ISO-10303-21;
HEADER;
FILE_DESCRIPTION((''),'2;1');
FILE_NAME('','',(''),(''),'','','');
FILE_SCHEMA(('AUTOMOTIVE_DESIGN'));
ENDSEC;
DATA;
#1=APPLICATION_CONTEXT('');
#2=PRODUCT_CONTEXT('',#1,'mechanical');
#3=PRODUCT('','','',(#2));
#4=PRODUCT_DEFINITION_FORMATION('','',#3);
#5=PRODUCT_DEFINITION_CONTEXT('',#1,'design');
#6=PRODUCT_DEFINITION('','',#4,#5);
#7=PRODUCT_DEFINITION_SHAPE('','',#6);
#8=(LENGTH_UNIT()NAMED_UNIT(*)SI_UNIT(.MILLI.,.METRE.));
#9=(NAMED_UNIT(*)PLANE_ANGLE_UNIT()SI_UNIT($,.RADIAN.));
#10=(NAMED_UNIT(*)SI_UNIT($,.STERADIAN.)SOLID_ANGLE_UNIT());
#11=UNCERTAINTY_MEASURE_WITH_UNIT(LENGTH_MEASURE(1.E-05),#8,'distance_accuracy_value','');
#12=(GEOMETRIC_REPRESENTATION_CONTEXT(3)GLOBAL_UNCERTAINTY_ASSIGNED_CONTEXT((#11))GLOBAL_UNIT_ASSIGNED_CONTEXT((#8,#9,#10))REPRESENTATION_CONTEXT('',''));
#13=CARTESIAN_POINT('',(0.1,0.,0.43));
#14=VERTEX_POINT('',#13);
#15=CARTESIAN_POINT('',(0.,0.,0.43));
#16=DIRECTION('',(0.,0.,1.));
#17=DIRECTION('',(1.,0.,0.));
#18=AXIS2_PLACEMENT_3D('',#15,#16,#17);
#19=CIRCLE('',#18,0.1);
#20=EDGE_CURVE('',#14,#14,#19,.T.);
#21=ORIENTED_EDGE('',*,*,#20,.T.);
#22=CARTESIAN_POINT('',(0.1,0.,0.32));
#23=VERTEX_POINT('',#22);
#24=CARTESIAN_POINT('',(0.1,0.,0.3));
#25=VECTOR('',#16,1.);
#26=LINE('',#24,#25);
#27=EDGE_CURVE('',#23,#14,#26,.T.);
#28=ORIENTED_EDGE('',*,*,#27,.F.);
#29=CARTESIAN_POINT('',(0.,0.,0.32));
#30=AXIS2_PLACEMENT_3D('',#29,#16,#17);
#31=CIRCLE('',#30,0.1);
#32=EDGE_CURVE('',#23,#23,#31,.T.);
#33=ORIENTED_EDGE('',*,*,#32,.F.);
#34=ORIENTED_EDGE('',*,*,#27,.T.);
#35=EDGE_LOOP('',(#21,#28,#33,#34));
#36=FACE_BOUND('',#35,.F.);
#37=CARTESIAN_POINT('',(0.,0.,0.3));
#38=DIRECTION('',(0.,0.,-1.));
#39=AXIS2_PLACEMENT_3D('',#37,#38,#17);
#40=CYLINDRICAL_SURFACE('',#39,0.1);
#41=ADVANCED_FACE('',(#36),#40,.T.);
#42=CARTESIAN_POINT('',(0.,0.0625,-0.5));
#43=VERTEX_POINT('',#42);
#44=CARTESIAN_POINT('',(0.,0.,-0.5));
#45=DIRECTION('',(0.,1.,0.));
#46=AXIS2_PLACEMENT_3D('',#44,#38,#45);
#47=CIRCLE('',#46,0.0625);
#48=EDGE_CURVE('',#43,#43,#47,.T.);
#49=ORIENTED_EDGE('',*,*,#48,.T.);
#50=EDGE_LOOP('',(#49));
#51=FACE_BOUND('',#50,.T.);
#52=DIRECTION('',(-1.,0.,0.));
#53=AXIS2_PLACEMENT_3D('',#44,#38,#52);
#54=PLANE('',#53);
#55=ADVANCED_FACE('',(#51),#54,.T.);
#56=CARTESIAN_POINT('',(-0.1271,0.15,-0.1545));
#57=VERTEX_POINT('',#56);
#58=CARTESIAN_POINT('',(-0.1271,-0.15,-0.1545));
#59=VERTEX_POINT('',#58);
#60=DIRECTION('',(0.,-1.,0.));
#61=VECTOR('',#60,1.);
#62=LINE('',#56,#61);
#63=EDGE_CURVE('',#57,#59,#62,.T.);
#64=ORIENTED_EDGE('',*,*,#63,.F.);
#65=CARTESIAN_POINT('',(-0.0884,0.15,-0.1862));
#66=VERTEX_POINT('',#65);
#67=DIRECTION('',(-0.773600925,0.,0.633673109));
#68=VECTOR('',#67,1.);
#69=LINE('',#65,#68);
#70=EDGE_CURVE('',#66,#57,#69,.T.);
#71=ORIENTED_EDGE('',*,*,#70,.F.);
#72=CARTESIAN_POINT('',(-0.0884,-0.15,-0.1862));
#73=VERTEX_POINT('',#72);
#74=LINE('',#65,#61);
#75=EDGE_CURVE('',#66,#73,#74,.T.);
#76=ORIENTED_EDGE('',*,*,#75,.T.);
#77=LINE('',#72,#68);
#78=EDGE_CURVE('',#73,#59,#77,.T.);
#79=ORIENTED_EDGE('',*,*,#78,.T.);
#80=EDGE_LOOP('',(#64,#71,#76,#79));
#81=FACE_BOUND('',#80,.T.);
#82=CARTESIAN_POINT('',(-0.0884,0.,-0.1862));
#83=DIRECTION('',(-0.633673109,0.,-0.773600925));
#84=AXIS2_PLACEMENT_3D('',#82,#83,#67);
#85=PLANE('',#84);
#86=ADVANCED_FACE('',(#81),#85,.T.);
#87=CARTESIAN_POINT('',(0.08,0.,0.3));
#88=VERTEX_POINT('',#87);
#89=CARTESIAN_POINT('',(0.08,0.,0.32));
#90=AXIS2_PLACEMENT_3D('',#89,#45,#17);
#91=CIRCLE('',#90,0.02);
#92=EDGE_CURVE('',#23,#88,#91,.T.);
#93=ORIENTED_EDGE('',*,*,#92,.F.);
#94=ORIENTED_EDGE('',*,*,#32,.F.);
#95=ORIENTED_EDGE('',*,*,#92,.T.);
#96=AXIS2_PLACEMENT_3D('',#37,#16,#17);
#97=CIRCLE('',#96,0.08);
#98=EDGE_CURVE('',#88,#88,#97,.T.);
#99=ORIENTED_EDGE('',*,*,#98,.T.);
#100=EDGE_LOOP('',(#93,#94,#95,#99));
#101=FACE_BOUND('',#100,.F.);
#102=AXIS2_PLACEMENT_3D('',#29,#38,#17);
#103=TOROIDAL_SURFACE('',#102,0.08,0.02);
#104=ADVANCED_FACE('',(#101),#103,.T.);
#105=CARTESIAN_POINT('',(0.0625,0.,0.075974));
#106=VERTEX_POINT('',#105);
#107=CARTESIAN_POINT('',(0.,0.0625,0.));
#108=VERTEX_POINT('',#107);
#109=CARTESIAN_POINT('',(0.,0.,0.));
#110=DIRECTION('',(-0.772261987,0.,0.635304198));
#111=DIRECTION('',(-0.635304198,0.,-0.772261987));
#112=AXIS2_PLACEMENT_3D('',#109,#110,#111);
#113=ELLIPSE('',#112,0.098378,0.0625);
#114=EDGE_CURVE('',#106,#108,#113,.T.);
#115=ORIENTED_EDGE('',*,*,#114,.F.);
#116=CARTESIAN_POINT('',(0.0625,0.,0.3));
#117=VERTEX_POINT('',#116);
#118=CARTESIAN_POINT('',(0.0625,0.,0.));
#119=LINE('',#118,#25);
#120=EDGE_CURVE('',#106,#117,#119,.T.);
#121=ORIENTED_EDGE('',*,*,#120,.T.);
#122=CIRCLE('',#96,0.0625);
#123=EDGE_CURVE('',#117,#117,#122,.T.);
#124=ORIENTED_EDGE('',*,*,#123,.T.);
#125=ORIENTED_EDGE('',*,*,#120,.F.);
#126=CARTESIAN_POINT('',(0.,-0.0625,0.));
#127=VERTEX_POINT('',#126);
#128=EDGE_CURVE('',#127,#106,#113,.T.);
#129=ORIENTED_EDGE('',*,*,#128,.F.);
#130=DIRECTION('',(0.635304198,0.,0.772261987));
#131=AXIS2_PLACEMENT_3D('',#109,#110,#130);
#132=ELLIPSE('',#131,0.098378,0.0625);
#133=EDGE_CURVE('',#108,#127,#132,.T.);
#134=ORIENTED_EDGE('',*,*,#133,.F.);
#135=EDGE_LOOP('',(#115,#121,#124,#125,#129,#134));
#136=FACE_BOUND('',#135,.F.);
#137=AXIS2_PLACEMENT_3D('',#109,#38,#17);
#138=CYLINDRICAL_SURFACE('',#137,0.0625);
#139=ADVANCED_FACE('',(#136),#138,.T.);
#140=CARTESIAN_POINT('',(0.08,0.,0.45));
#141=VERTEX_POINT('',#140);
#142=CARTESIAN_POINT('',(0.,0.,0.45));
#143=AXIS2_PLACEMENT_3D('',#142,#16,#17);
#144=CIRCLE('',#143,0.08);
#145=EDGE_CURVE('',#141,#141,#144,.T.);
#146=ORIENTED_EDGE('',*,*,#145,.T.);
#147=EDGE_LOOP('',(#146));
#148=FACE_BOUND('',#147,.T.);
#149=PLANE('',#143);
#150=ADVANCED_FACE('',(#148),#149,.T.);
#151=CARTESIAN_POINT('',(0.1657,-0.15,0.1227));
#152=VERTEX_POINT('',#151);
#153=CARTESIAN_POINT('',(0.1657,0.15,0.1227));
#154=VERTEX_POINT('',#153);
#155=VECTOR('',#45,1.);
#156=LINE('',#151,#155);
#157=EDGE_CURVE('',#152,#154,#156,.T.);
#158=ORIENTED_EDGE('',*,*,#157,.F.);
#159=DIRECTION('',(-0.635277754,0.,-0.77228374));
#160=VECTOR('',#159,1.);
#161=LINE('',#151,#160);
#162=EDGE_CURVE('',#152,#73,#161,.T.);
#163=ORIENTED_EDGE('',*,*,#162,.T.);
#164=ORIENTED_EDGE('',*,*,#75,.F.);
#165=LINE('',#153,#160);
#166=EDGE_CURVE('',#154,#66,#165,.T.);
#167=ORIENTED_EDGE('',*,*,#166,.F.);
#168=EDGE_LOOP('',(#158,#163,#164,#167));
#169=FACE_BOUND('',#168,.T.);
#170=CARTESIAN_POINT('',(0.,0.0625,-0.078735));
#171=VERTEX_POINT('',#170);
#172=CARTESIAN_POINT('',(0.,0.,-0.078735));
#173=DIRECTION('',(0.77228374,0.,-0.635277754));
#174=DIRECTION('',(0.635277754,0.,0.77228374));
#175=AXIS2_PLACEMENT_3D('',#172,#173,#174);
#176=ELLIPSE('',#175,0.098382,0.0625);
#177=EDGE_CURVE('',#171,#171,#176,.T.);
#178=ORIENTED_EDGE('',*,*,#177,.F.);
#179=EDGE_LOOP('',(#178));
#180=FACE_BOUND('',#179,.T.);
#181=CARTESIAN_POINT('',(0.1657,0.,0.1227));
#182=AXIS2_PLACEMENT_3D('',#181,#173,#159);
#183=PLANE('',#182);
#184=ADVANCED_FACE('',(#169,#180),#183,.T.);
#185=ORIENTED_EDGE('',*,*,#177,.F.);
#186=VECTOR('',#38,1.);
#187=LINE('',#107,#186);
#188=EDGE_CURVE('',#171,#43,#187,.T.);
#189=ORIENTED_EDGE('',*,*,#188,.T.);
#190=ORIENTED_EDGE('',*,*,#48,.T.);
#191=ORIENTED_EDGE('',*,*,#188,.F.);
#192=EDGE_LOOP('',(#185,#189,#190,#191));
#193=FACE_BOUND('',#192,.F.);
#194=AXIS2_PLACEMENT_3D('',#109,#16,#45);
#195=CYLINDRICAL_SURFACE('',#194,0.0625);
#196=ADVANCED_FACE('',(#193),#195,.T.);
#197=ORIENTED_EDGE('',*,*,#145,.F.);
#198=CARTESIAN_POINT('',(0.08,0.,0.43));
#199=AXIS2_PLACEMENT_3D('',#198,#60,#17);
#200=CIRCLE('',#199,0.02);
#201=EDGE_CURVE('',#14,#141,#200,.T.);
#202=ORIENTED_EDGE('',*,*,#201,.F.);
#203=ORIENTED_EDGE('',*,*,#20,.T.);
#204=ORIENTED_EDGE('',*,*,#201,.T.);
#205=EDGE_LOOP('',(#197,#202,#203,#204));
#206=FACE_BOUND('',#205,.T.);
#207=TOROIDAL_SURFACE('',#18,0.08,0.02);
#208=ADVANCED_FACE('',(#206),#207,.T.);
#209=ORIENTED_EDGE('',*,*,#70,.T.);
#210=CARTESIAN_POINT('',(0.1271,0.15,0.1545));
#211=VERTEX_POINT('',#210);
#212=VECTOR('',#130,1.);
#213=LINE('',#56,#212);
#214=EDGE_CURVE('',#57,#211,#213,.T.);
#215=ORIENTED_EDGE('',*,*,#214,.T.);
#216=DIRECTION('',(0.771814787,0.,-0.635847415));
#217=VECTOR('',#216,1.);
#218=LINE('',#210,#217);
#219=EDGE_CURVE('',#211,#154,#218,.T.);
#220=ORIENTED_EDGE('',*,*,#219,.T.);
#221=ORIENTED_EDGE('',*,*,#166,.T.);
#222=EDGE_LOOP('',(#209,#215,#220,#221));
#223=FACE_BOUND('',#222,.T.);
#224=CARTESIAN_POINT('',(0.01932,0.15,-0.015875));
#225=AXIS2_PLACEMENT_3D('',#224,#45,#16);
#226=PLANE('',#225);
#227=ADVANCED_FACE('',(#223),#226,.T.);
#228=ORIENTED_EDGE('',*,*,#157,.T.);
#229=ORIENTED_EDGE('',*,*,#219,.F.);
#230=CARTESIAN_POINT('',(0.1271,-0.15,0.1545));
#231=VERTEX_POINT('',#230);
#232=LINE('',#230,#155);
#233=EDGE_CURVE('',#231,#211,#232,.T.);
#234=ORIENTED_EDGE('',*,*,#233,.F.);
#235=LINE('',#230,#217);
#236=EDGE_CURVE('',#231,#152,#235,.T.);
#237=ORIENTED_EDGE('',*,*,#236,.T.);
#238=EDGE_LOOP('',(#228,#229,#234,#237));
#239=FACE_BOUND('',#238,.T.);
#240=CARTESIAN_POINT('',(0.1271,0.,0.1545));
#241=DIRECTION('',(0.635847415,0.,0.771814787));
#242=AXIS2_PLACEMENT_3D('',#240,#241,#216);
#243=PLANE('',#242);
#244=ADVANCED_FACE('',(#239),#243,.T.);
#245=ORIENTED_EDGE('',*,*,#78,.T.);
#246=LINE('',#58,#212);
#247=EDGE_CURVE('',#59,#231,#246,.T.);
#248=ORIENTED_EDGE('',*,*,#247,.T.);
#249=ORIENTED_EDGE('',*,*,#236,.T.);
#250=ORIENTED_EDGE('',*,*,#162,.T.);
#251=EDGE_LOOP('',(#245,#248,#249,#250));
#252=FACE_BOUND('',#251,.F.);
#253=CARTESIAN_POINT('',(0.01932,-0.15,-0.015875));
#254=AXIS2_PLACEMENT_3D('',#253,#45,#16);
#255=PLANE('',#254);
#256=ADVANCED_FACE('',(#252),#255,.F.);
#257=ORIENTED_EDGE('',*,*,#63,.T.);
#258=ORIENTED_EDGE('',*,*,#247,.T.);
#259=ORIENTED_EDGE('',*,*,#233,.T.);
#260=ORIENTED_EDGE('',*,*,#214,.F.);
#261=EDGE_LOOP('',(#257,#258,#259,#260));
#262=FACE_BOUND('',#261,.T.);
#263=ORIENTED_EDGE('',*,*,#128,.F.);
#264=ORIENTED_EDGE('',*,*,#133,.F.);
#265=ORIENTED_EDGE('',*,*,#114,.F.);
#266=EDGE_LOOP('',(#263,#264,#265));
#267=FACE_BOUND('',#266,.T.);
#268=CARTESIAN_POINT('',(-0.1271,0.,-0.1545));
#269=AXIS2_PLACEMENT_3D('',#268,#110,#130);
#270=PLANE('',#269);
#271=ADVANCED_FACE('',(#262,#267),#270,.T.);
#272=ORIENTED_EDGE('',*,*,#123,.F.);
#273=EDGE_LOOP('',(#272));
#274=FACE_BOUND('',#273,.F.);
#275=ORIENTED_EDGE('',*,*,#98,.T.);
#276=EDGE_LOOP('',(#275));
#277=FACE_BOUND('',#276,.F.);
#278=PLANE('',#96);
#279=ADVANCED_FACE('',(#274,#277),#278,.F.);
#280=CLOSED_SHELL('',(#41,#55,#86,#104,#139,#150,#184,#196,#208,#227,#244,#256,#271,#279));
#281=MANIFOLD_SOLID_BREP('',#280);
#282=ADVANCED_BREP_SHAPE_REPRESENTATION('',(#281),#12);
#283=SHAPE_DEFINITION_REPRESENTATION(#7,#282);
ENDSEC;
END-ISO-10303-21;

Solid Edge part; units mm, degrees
sketch "Sketch1" plane through (0, 0, 0) normal (0, 0, 1) x (1, 0, 0)
  circle A0 centre (0, 0) radius 0.0625
  dimension "D1" = 0.125
extrude "Protrusion1" add sketch "Sketch1" along normal blind 0.3
sketch "Sketch2" plane through (0, 0, 0) normal (0, -1, 0) x (1, 0, 0)
  line L0 (-0.1271, -0.1545) -> (0.1271, 0.1545)
  line L1 (0.1271, 0.1545) -> (0.1657, 0.1227)
  line L2 (0.1657, 0.1227) -> (-0.0884, -0.1862)
  line L3 (-0.0884, -0.1862) -> (-0.1271, -0.1545)
  dimension "D1" = 0.05
  dimension "D2" = 0.4
  dimension "D3" = 0.2
extrude "Ausprägung_2" add sketch "Sketch2" along normal mid plane 0.3
sketch "Sketch3" plane through (-0.0313, 0, 0) normal (0, 0, -1) x (0, 1, 0)
  circle A0 centre (0, 0.0313) radius 0.0625
extrude "Ausprägung_3" add sketch "Sketch3" along normal blind 0.5
sketch "Sketch4" plane through (0, 0, 0.3) normal (0, 0, 1) x (1, 0, 0)
  circle A0 centre (0, 0) radius 0.1
  dimension "D1" = 0.2
extrude "Ausprägung_4" add sketch "Sketch4" along normal blind 0.15
fillet "Verrundung_1" radius 0.02 2 edges at (-0.1, 0, 0.45) (-0.1, 0, 0.3)
